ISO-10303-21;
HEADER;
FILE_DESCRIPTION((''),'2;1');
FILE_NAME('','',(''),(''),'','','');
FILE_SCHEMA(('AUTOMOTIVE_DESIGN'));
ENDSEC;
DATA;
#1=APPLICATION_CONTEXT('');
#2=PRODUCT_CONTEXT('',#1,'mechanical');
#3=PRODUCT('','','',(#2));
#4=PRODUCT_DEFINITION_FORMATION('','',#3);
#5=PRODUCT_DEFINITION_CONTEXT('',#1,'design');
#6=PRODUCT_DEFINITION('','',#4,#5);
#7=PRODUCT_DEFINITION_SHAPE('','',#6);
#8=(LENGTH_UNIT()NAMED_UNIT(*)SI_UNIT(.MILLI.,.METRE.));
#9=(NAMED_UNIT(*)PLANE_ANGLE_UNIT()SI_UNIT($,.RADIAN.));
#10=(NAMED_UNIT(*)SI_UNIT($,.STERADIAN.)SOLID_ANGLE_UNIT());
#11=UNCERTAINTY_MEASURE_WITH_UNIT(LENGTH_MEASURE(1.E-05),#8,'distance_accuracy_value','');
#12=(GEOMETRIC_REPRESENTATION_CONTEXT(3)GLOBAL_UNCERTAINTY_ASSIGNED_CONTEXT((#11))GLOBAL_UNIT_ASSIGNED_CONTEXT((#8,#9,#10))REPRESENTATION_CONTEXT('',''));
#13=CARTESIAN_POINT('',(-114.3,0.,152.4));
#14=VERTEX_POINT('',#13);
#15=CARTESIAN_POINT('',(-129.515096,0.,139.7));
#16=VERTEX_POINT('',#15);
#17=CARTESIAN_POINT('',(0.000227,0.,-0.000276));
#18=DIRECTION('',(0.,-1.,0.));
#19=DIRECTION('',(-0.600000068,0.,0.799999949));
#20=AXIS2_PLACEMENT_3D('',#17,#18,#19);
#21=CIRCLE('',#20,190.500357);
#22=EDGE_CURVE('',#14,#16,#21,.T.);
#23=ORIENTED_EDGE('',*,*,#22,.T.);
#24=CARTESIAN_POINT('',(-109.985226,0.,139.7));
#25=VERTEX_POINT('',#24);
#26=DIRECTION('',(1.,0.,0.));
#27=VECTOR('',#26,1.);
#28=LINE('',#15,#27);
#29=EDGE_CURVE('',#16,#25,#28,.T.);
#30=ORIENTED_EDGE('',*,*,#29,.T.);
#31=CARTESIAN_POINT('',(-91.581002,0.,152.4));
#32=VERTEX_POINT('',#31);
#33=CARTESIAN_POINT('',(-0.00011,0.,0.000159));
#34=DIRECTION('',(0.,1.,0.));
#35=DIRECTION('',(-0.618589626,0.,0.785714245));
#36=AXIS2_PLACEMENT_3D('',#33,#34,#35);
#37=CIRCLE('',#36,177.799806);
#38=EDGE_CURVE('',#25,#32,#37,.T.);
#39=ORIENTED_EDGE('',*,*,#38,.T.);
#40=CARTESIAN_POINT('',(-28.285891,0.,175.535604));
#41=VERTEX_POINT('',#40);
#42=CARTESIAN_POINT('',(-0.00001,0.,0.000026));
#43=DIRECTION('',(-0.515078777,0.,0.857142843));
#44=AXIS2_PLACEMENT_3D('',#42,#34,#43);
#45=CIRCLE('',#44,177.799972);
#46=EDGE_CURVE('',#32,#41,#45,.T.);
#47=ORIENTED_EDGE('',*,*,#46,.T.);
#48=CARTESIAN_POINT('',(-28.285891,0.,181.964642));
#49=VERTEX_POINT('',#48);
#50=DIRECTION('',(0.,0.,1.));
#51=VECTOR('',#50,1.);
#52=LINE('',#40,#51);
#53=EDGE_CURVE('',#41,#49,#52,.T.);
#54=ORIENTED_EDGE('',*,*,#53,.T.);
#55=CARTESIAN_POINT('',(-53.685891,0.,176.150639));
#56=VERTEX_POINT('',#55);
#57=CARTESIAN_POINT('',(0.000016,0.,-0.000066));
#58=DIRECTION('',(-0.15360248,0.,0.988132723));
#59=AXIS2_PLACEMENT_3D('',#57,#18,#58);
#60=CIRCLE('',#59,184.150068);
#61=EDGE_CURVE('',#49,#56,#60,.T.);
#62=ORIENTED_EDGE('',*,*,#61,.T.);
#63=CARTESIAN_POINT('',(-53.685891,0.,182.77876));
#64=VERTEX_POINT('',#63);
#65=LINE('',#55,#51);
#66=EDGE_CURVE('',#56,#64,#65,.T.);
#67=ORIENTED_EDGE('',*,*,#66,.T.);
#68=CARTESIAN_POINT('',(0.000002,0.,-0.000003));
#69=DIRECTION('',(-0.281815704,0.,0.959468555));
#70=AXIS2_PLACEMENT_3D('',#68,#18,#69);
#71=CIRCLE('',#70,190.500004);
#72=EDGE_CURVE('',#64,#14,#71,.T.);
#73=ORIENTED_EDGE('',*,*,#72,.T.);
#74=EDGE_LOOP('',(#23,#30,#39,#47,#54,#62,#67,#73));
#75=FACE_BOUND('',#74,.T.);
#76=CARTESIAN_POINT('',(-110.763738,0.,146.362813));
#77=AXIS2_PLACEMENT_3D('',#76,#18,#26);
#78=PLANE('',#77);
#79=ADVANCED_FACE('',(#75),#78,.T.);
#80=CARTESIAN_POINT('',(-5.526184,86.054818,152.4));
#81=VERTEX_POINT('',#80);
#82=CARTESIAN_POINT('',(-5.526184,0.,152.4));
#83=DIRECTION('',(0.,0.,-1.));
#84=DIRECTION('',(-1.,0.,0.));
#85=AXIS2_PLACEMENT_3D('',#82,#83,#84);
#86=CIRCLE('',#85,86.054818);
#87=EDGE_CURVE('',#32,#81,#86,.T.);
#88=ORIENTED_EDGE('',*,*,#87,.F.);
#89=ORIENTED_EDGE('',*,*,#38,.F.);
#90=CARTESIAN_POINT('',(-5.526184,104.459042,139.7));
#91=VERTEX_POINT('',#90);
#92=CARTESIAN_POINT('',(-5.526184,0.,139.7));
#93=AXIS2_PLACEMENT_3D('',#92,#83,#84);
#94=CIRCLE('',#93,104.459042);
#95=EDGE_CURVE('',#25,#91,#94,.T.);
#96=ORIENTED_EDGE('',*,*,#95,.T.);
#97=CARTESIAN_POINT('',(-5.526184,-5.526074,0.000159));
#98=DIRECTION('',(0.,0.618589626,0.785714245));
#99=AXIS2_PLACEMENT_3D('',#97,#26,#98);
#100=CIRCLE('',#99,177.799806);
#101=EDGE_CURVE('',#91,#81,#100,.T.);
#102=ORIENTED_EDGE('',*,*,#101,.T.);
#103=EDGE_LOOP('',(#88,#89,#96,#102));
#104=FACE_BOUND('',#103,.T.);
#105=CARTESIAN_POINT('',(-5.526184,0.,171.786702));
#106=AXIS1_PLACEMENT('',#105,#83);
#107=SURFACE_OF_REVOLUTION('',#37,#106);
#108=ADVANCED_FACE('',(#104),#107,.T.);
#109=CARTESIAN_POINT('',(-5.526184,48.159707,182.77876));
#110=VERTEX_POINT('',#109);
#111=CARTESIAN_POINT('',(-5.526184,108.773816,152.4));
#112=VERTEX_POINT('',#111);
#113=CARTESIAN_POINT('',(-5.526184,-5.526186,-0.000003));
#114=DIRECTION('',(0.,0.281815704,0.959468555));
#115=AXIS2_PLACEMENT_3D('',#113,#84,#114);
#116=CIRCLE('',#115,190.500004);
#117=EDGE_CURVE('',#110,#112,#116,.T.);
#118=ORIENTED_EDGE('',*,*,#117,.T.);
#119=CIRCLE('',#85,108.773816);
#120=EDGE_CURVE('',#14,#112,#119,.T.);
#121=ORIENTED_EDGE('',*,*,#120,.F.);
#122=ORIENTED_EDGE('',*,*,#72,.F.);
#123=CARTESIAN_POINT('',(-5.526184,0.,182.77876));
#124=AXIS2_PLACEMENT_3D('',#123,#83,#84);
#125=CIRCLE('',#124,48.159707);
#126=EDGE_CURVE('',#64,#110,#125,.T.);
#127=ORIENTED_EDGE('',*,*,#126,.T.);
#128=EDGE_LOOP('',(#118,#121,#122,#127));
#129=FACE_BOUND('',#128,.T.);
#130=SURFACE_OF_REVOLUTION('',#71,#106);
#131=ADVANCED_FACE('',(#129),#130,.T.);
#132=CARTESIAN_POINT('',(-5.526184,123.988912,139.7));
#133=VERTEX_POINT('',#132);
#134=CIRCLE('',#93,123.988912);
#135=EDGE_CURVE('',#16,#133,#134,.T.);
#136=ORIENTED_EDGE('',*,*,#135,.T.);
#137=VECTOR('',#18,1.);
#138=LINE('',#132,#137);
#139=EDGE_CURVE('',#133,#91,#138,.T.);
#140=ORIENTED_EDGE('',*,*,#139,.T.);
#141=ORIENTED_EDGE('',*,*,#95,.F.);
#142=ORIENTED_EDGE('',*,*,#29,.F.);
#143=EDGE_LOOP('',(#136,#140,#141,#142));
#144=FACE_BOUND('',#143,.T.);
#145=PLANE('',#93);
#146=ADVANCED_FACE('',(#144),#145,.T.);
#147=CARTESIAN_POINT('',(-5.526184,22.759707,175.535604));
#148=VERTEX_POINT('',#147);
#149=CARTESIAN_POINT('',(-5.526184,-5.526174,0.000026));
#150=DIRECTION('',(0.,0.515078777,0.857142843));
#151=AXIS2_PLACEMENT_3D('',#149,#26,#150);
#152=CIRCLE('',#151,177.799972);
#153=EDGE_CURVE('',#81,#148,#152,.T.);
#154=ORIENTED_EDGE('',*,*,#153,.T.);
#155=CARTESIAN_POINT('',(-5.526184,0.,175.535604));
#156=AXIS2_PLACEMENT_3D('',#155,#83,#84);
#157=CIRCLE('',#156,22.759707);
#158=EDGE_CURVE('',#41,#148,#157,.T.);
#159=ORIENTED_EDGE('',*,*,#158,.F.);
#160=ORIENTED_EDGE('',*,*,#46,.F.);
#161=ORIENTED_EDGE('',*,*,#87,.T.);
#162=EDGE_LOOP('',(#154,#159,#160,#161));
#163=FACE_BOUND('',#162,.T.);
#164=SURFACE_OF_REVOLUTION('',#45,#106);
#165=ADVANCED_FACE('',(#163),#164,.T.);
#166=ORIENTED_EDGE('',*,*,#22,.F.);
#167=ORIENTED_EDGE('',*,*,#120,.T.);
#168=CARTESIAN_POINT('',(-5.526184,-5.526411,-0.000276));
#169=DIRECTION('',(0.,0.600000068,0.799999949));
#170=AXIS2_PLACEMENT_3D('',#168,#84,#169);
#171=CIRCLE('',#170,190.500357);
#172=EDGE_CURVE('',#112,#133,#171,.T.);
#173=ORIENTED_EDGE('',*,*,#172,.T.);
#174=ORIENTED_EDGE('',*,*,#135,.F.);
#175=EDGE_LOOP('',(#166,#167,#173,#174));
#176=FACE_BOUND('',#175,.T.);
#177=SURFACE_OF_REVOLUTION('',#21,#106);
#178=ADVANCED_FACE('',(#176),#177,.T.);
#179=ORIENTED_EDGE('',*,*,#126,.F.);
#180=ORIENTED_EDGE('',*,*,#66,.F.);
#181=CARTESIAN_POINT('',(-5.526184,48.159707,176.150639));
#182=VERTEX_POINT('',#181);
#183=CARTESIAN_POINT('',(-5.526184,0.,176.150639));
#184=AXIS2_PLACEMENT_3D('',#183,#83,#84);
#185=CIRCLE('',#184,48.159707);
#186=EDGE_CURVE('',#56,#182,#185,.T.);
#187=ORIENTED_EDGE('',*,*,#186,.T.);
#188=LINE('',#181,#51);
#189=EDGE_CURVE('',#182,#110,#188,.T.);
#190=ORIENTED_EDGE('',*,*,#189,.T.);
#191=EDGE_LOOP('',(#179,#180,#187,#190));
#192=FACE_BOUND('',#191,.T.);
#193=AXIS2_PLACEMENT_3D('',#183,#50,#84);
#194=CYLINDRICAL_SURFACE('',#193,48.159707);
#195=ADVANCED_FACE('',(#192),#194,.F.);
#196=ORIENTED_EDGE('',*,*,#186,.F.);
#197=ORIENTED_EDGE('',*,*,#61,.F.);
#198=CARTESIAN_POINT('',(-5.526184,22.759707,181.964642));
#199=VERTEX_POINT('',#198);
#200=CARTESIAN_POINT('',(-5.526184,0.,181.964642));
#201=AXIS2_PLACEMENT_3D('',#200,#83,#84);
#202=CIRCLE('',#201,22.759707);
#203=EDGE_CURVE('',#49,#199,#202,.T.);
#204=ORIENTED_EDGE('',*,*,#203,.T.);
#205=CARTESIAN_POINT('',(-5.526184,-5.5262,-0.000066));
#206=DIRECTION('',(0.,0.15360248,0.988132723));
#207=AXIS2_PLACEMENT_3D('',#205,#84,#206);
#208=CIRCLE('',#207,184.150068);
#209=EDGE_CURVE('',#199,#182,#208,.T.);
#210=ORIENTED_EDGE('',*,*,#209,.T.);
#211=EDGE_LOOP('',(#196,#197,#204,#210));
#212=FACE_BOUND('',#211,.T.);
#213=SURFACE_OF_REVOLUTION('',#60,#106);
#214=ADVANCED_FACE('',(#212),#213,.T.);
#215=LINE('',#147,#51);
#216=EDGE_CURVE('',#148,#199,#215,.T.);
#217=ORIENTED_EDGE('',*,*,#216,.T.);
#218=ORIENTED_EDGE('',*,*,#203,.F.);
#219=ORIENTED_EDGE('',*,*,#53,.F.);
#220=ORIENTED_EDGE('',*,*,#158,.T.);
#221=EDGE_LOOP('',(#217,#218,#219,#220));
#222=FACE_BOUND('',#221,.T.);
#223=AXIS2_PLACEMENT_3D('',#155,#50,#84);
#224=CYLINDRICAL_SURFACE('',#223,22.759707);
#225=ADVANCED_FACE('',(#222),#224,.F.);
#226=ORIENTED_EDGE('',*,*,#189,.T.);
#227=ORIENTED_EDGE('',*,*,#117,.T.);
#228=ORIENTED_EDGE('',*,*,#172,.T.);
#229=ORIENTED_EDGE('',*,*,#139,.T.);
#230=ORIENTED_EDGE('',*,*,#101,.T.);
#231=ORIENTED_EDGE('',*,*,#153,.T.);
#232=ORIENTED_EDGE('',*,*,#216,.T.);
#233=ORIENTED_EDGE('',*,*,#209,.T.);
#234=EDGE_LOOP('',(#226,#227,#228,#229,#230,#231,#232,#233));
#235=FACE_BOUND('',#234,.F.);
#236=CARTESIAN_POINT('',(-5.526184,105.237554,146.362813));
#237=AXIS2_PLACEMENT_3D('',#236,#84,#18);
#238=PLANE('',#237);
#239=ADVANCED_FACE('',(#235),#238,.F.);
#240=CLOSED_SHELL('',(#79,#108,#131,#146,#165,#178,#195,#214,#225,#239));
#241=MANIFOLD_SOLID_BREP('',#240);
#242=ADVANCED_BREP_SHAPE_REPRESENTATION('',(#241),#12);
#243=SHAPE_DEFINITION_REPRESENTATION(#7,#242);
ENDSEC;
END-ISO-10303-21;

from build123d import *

# Parameters (mm, degrees)
F1_ANGLE = 90


with BuildPart() as f1:
    # F0 (on Front) → F1 (revolve)
    with BuildSketch(Plane.XZ):
        with BuildLine():
            ThreePointArc((-109.985226, 139.7), (-100.982962, 146.33961), (-91.581002, 152.4))
            Line((-91.581002, 152.4), (-103.370511, 152.4))
            Line((-103.370511, 152.4), (-114.3, 152.4))
            ThreePointArc((-114.3, 152.4), (-122.072817, 146.247999), (-129.515096, 139.7))
            Line((-129.515096, 139.7), (-119.979717, 139.7))
            Line((-119.979717, 139.7), (-109.985226, 139.7))
        make_face()
        with BuildLine():
            Line((-114.3, 152.4), (-103.370511, 152.4))
            ThreePointArc((-103.370511, 152.4), (-79.42104, 166.143074), (-53.685891, 176.150639))
            Line((-53.685891, 176.150639), (-53.685891, 182.77876))
            ThreePointArc((-53.685891, 182.77876), (-85.355329, 170.307715), (-114.3, 152.4))
        make_face()
        with BuildLine():
            Line((-103.370511, 152.4), (-91.581002, 152.4))
            ThreePointArc((-91.581002, 152.4), (-61.039594, 166.994036), (-28.285891, 175.535604))
            Line((-28.285891, 175.535604), (-28.285891, 181.964642))
            ThreePointArc((-28.285891, 181.964642), (-41.088854, 179.507461), (-53.685891, 176.150639))
            ThreePointArc((-53.685891, 176.150639), (-79.42104, 166.143074), (-103.370511, 152.4))
        make_face()
    revolve(axis=Axis((-5.526184, 0, 171.786702), (0, 0, -1)), revolution_arc=F1_ANGLE)


solid = f1.part
